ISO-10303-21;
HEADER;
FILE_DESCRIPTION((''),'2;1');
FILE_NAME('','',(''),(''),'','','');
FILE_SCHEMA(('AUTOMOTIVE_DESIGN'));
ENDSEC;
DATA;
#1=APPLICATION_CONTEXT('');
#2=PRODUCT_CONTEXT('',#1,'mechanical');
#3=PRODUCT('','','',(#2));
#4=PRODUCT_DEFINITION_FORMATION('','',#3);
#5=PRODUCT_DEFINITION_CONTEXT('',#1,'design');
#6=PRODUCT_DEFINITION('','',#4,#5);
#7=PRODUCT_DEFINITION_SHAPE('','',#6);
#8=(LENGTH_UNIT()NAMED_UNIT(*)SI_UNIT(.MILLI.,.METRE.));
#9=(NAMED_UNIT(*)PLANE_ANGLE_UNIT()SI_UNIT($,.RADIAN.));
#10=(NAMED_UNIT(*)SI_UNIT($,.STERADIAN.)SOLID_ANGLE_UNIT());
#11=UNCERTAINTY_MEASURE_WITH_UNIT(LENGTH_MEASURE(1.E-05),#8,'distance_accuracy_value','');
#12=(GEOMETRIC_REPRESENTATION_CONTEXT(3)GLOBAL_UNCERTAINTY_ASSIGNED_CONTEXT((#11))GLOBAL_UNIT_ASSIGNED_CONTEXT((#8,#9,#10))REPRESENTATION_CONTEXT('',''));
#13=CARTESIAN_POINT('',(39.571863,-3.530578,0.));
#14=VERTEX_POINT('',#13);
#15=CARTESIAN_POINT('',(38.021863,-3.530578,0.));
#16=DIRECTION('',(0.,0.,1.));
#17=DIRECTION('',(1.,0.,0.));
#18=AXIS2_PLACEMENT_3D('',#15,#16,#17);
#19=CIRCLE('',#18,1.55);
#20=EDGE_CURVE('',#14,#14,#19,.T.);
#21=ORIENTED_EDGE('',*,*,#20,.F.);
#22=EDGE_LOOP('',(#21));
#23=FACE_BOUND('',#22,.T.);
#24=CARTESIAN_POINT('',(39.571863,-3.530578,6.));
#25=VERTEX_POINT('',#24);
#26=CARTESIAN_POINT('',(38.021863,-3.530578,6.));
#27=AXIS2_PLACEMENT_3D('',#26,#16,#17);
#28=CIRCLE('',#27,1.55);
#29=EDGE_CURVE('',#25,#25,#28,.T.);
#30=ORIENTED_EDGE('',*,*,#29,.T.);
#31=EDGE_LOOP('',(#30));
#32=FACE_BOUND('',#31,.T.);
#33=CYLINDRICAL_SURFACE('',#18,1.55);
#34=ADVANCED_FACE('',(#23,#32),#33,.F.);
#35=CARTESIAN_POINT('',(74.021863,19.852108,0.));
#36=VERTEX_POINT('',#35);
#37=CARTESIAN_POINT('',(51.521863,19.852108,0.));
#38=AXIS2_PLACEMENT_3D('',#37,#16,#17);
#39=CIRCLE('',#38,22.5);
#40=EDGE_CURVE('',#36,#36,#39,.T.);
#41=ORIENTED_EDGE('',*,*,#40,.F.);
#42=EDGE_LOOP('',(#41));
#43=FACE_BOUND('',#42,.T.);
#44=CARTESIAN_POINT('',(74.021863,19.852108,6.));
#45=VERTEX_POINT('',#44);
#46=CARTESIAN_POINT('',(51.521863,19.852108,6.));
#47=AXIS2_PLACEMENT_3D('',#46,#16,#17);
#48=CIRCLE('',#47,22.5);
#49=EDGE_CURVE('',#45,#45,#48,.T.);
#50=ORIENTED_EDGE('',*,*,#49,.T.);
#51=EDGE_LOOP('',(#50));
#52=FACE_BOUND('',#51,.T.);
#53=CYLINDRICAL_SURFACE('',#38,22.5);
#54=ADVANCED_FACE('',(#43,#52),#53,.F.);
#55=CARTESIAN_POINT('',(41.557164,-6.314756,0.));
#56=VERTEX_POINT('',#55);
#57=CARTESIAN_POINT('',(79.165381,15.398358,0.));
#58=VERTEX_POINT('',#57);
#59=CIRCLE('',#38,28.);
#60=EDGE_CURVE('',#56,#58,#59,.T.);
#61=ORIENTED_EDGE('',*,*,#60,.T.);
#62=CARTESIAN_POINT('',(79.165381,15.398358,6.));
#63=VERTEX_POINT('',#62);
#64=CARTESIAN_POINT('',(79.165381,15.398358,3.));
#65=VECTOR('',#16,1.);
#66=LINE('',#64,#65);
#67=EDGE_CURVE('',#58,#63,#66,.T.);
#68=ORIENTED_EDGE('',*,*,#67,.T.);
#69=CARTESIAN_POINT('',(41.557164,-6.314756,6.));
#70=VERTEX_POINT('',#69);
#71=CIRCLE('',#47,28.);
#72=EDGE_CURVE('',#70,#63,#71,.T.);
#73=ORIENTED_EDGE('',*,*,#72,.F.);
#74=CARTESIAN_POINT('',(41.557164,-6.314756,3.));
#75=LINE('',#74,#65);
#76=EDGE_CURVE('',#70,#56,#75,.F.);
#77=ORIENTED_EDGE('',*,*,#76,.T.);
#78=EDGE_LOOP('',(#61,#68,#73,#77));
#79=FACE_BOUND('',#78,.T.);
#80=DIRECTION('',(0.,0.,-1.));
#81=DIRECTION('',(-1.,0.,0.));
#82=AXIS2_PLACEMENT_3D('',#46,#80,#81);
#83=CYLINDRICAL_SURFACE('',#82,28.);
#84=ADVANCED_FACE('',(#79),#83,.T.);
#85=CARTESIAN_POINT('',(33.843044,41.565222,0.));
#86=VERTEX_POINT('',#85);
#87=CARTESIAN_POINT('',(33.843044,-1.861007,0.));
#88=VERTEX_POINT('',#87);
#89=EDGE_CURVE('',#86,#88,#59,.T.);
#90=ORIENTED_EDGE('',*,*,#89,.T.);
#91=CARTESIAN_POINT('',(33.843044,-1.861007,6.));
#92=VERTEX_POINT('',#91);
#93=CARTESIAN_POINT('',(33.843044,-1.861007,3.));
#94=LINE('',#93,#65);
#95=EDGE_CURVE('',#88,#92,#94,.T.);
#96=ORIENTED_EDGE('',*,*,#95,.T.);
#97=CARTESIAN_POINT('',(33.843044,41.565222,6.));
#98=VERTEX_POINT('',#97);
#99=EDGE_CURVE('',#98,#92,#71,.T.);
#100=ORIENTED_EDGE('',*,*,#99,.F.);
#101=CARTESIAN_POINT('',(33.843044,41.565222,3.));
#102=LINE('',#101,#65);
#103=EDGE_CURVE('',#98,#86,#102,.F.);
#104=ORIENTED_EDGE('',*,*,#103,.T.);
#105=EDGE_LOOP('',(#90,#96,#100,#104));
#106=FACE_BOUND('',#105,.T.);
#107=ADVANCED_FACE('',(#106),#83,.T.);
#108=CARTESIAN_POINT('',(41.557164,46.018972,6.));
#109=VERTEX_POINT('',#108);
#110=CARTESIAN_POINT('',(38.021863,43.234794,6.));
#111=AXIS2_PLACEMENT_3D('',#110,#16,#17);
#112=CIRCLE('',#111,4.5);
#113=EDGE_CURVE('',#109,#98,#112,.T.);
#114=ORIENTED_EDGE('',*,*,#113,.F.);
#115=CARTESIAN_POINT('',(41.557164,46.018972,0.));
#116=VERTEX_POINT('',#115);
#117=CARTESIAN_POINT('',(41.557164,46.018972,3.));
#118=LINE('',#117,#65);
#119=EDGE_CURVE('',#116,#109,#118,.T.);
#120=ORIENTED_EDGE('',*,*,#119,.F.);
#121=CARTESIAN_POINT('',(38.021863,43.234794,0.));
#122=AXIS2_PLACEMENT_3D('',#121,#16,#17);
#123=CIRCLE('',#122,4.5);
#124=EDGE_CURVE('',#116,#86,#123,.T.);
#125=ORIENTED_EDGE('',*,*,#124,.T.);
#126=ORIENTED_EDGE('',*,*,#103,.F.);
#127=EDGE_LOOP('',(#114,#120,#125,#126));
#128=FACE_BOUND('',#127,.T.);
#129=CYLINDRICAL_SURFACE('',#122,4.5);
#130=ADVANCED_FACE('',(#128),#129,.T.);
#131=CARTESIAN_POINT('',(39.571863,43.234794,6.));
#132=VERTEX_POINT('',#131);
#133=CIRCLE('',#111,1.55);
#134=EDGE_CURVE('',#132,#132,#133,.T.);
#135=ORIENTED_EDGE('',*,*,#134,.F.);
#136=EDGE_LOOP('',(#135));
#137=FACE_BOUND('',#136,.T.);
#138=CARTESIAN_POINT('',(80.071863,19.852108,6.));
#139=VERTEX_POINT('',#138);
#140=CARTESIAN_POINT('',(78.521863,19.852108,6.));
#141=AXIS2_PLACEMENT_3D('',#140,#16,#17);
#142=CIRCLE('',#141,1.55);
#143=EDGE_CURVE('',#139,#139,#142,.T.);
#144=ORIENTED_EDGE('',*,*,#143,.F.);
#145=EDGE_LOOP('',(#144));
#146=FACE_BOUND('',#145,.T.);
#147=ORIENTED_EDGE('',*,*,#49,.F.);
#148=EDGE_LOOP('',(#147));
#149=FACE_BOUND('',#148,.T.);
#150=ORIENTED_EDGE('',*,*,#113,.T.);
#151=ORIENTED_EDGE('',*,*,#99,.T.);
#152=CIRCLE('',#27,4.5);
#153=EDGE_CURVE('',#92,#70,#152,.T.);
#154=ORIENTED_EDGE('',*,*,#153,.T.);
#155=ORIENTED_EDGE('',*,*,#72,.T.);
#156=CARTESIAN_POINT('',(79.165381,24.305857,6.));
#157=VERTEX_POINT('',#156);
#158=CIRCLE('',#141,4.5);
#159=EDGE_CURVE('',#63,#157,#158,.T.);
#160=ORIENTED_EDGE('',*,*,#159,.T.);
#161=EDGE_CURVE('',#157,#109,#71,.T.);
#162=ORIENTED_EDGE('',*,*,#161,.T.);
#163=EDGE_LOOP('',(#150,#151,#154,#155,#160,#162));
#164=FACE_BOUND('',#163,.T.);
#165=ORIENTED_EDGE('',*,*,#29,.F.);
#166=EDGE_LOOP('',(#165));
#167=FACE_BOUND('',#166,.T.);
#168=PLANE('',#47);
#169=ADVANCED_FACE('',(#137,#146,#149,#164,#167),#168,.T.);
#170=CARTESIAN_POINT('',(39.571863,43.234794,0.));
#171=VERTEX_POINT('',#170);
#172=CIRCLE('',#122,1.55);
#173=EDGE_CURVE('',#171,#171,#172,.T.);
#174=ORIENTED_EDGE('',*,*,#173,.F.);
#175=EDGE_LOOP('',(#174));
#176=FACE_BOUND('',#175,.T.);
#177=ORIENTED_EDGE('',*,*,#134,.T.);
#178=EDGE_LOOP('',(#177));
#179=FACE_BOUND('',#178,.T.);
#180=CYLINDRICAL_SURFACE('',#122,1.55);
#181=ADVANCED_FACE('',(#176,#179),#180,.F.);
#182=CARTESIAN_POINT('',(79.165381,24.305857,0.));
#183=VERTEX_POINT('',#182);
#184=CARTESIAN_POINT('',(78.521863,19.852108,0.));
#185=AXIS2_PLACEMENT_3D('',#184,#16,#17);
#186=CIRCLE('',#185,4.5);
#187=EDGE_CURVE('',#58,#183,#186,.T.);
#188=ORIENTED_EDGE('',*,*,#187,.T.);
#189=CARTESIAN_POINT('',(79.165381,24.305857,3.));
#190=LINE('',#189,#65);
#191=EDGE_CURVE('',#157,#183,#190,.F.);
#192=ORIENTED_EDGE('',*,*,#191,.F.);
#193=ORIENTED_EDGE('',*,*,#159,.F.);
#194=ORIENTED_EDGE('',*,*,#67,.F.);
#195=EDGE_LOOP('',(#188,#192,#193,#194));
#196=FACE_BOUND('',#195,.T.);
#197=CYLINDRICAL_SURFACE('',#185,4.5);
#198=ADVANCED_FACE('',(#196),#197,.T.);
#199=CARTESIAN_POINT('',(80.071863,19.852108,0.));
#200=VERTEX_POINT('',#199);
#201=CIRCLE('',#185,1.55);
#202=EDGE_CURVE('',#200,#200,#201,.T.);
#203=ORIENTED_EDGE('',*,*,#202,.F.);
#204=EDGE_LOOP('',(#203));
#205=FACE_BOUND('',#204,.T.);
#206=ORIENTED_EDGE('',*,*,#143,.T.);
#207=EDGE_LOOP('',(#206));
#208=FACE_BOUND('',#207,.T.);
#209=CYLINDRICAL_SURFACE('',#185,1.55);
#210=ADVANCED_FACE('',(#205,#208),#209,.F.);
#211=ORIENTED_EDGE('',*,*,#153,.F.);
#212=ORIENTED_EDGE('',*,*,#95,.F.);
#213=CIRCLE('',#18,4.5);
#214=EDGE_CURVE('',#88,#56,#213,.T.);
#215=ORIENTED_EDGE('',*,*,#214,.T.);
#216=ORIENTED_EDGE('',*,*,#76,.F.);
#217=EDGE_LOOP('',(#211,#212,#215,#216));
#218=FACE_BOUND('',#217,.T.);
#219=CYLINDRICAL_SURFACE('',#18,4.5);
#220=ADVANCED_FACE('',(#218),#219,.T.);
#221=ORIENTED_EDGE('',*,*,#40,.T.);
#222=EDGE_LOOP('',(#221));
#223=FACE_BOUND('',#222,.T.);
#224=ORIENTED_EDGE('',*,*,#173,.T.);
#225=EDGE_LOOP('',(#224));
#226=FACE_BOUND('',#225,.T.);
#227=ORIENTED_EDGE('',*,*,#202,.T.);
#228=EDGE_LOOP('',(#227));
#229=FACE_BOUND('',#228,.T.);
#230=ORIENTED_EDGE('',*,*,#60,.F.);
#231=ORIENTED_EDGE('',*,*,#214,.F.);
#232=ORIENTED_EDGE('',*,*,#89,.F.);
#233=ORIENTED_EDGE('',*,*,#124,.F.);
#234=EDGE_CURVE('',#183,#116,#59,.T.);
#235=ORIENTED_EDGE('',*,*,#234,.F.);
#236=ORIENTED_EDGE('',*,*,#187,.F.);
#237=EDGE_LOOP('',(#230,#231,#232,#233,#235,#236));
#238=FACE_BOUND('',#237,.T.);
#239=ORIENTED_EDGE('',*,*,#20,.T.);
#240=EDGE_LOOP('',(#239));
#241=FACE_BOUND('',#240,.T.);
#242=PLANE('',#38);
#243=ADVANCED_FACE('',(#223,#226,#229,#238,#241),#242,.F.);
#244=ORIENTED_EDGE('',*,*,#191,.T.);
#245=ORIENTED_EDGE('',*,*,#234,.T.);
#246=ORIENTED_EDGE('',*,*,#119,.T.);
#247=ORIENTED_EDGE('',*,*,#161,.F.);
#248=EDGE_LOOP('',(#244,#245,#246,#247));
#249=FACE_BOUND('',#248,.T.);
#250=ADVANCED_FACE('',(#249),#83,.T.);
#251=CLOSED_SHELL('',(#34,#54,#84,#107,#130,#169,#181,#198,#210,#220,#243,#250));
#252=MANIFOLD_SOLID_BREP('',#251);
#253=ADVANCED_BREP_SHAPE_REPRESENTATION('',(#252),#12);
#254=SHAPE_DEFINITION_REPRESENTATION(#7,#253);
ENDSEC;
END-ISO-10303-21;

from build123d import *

# Parameters (mm, degrees)
SZKIC1_R                    = 28
DODANIE_WYCI_GNI_CIE1_DEPTH = 6
SZKIC3_R                    = 22.5
WYTNIJ_WYCI_GNI_CIE1_DEPTH  = 6
SZKIC5_R                    = 4.5
DODANIE_WYCI_GNI_CIE2_DEPTH = 6
SZKIC6_R                    = 1.55
WYTNIJ_WYCI_GNI_CIE2_DEPTH  = 6


with BuildPart() as part:
    # Szkic1 → Dodanie-wyciągnięcie1 (new body)
    with BuildSketch(Plane.XY):
        with Locations((51.52186297, 19.852107637)):
            Circle(SZKIC1_R)
    extrude(amount=DODANIE_WYCI_GNI_CIE1_DEPTH)

    # Szkic3 → Wytnij-wyciągnięcie1 (cut)
    with BuildSketch(Plane.XY.offset(6)):
        with Locations((51.52186297, 19.852107637)):
            Circle(SZKIC3_R)
    extrude(amount=-WYTNIJ_WYCI_GNI_CIE1_DEPTH, mode=Mode.SUBTRACT)

    # Szkic5 → Dodanie-wyciągnięcie2 (add)
    with BuildSketch(Plane.XY.offset(6)):
        with Locations((78.52186297, 19.852107638)):
            Circle(SZKIC5_R)
        with Locations((38.02186297, -3.530578265)):
            Circle(SZKIC5_R)
        with Locations((38.02186297, 43.23479354)):
            Circle(SZKIC5_R)
    extrude(amount=-DODANIE_WYCI_GNI_CIE2_DEPTH)

    # Szkic6 → Wytnij-wyciągnięcie2 (cut)
    with BuildSketch(Plane.XY.offset(6)):
        with Locations((78.52186297, 19.852107638)):
            Circle(SZKIC6_R)
        with Locations((38.02186297, -3.530578265)):
            Circle(SZKIC6_R)
        with Locations((38.02186297, 43.23479354)):
            Circle(SZKIC6_R)
    extrude(amount=-WYTNIJ_WYCI_GNI_CIE2_DEPTH, mode=Mode.SUBTRACT)


solid = part.part
